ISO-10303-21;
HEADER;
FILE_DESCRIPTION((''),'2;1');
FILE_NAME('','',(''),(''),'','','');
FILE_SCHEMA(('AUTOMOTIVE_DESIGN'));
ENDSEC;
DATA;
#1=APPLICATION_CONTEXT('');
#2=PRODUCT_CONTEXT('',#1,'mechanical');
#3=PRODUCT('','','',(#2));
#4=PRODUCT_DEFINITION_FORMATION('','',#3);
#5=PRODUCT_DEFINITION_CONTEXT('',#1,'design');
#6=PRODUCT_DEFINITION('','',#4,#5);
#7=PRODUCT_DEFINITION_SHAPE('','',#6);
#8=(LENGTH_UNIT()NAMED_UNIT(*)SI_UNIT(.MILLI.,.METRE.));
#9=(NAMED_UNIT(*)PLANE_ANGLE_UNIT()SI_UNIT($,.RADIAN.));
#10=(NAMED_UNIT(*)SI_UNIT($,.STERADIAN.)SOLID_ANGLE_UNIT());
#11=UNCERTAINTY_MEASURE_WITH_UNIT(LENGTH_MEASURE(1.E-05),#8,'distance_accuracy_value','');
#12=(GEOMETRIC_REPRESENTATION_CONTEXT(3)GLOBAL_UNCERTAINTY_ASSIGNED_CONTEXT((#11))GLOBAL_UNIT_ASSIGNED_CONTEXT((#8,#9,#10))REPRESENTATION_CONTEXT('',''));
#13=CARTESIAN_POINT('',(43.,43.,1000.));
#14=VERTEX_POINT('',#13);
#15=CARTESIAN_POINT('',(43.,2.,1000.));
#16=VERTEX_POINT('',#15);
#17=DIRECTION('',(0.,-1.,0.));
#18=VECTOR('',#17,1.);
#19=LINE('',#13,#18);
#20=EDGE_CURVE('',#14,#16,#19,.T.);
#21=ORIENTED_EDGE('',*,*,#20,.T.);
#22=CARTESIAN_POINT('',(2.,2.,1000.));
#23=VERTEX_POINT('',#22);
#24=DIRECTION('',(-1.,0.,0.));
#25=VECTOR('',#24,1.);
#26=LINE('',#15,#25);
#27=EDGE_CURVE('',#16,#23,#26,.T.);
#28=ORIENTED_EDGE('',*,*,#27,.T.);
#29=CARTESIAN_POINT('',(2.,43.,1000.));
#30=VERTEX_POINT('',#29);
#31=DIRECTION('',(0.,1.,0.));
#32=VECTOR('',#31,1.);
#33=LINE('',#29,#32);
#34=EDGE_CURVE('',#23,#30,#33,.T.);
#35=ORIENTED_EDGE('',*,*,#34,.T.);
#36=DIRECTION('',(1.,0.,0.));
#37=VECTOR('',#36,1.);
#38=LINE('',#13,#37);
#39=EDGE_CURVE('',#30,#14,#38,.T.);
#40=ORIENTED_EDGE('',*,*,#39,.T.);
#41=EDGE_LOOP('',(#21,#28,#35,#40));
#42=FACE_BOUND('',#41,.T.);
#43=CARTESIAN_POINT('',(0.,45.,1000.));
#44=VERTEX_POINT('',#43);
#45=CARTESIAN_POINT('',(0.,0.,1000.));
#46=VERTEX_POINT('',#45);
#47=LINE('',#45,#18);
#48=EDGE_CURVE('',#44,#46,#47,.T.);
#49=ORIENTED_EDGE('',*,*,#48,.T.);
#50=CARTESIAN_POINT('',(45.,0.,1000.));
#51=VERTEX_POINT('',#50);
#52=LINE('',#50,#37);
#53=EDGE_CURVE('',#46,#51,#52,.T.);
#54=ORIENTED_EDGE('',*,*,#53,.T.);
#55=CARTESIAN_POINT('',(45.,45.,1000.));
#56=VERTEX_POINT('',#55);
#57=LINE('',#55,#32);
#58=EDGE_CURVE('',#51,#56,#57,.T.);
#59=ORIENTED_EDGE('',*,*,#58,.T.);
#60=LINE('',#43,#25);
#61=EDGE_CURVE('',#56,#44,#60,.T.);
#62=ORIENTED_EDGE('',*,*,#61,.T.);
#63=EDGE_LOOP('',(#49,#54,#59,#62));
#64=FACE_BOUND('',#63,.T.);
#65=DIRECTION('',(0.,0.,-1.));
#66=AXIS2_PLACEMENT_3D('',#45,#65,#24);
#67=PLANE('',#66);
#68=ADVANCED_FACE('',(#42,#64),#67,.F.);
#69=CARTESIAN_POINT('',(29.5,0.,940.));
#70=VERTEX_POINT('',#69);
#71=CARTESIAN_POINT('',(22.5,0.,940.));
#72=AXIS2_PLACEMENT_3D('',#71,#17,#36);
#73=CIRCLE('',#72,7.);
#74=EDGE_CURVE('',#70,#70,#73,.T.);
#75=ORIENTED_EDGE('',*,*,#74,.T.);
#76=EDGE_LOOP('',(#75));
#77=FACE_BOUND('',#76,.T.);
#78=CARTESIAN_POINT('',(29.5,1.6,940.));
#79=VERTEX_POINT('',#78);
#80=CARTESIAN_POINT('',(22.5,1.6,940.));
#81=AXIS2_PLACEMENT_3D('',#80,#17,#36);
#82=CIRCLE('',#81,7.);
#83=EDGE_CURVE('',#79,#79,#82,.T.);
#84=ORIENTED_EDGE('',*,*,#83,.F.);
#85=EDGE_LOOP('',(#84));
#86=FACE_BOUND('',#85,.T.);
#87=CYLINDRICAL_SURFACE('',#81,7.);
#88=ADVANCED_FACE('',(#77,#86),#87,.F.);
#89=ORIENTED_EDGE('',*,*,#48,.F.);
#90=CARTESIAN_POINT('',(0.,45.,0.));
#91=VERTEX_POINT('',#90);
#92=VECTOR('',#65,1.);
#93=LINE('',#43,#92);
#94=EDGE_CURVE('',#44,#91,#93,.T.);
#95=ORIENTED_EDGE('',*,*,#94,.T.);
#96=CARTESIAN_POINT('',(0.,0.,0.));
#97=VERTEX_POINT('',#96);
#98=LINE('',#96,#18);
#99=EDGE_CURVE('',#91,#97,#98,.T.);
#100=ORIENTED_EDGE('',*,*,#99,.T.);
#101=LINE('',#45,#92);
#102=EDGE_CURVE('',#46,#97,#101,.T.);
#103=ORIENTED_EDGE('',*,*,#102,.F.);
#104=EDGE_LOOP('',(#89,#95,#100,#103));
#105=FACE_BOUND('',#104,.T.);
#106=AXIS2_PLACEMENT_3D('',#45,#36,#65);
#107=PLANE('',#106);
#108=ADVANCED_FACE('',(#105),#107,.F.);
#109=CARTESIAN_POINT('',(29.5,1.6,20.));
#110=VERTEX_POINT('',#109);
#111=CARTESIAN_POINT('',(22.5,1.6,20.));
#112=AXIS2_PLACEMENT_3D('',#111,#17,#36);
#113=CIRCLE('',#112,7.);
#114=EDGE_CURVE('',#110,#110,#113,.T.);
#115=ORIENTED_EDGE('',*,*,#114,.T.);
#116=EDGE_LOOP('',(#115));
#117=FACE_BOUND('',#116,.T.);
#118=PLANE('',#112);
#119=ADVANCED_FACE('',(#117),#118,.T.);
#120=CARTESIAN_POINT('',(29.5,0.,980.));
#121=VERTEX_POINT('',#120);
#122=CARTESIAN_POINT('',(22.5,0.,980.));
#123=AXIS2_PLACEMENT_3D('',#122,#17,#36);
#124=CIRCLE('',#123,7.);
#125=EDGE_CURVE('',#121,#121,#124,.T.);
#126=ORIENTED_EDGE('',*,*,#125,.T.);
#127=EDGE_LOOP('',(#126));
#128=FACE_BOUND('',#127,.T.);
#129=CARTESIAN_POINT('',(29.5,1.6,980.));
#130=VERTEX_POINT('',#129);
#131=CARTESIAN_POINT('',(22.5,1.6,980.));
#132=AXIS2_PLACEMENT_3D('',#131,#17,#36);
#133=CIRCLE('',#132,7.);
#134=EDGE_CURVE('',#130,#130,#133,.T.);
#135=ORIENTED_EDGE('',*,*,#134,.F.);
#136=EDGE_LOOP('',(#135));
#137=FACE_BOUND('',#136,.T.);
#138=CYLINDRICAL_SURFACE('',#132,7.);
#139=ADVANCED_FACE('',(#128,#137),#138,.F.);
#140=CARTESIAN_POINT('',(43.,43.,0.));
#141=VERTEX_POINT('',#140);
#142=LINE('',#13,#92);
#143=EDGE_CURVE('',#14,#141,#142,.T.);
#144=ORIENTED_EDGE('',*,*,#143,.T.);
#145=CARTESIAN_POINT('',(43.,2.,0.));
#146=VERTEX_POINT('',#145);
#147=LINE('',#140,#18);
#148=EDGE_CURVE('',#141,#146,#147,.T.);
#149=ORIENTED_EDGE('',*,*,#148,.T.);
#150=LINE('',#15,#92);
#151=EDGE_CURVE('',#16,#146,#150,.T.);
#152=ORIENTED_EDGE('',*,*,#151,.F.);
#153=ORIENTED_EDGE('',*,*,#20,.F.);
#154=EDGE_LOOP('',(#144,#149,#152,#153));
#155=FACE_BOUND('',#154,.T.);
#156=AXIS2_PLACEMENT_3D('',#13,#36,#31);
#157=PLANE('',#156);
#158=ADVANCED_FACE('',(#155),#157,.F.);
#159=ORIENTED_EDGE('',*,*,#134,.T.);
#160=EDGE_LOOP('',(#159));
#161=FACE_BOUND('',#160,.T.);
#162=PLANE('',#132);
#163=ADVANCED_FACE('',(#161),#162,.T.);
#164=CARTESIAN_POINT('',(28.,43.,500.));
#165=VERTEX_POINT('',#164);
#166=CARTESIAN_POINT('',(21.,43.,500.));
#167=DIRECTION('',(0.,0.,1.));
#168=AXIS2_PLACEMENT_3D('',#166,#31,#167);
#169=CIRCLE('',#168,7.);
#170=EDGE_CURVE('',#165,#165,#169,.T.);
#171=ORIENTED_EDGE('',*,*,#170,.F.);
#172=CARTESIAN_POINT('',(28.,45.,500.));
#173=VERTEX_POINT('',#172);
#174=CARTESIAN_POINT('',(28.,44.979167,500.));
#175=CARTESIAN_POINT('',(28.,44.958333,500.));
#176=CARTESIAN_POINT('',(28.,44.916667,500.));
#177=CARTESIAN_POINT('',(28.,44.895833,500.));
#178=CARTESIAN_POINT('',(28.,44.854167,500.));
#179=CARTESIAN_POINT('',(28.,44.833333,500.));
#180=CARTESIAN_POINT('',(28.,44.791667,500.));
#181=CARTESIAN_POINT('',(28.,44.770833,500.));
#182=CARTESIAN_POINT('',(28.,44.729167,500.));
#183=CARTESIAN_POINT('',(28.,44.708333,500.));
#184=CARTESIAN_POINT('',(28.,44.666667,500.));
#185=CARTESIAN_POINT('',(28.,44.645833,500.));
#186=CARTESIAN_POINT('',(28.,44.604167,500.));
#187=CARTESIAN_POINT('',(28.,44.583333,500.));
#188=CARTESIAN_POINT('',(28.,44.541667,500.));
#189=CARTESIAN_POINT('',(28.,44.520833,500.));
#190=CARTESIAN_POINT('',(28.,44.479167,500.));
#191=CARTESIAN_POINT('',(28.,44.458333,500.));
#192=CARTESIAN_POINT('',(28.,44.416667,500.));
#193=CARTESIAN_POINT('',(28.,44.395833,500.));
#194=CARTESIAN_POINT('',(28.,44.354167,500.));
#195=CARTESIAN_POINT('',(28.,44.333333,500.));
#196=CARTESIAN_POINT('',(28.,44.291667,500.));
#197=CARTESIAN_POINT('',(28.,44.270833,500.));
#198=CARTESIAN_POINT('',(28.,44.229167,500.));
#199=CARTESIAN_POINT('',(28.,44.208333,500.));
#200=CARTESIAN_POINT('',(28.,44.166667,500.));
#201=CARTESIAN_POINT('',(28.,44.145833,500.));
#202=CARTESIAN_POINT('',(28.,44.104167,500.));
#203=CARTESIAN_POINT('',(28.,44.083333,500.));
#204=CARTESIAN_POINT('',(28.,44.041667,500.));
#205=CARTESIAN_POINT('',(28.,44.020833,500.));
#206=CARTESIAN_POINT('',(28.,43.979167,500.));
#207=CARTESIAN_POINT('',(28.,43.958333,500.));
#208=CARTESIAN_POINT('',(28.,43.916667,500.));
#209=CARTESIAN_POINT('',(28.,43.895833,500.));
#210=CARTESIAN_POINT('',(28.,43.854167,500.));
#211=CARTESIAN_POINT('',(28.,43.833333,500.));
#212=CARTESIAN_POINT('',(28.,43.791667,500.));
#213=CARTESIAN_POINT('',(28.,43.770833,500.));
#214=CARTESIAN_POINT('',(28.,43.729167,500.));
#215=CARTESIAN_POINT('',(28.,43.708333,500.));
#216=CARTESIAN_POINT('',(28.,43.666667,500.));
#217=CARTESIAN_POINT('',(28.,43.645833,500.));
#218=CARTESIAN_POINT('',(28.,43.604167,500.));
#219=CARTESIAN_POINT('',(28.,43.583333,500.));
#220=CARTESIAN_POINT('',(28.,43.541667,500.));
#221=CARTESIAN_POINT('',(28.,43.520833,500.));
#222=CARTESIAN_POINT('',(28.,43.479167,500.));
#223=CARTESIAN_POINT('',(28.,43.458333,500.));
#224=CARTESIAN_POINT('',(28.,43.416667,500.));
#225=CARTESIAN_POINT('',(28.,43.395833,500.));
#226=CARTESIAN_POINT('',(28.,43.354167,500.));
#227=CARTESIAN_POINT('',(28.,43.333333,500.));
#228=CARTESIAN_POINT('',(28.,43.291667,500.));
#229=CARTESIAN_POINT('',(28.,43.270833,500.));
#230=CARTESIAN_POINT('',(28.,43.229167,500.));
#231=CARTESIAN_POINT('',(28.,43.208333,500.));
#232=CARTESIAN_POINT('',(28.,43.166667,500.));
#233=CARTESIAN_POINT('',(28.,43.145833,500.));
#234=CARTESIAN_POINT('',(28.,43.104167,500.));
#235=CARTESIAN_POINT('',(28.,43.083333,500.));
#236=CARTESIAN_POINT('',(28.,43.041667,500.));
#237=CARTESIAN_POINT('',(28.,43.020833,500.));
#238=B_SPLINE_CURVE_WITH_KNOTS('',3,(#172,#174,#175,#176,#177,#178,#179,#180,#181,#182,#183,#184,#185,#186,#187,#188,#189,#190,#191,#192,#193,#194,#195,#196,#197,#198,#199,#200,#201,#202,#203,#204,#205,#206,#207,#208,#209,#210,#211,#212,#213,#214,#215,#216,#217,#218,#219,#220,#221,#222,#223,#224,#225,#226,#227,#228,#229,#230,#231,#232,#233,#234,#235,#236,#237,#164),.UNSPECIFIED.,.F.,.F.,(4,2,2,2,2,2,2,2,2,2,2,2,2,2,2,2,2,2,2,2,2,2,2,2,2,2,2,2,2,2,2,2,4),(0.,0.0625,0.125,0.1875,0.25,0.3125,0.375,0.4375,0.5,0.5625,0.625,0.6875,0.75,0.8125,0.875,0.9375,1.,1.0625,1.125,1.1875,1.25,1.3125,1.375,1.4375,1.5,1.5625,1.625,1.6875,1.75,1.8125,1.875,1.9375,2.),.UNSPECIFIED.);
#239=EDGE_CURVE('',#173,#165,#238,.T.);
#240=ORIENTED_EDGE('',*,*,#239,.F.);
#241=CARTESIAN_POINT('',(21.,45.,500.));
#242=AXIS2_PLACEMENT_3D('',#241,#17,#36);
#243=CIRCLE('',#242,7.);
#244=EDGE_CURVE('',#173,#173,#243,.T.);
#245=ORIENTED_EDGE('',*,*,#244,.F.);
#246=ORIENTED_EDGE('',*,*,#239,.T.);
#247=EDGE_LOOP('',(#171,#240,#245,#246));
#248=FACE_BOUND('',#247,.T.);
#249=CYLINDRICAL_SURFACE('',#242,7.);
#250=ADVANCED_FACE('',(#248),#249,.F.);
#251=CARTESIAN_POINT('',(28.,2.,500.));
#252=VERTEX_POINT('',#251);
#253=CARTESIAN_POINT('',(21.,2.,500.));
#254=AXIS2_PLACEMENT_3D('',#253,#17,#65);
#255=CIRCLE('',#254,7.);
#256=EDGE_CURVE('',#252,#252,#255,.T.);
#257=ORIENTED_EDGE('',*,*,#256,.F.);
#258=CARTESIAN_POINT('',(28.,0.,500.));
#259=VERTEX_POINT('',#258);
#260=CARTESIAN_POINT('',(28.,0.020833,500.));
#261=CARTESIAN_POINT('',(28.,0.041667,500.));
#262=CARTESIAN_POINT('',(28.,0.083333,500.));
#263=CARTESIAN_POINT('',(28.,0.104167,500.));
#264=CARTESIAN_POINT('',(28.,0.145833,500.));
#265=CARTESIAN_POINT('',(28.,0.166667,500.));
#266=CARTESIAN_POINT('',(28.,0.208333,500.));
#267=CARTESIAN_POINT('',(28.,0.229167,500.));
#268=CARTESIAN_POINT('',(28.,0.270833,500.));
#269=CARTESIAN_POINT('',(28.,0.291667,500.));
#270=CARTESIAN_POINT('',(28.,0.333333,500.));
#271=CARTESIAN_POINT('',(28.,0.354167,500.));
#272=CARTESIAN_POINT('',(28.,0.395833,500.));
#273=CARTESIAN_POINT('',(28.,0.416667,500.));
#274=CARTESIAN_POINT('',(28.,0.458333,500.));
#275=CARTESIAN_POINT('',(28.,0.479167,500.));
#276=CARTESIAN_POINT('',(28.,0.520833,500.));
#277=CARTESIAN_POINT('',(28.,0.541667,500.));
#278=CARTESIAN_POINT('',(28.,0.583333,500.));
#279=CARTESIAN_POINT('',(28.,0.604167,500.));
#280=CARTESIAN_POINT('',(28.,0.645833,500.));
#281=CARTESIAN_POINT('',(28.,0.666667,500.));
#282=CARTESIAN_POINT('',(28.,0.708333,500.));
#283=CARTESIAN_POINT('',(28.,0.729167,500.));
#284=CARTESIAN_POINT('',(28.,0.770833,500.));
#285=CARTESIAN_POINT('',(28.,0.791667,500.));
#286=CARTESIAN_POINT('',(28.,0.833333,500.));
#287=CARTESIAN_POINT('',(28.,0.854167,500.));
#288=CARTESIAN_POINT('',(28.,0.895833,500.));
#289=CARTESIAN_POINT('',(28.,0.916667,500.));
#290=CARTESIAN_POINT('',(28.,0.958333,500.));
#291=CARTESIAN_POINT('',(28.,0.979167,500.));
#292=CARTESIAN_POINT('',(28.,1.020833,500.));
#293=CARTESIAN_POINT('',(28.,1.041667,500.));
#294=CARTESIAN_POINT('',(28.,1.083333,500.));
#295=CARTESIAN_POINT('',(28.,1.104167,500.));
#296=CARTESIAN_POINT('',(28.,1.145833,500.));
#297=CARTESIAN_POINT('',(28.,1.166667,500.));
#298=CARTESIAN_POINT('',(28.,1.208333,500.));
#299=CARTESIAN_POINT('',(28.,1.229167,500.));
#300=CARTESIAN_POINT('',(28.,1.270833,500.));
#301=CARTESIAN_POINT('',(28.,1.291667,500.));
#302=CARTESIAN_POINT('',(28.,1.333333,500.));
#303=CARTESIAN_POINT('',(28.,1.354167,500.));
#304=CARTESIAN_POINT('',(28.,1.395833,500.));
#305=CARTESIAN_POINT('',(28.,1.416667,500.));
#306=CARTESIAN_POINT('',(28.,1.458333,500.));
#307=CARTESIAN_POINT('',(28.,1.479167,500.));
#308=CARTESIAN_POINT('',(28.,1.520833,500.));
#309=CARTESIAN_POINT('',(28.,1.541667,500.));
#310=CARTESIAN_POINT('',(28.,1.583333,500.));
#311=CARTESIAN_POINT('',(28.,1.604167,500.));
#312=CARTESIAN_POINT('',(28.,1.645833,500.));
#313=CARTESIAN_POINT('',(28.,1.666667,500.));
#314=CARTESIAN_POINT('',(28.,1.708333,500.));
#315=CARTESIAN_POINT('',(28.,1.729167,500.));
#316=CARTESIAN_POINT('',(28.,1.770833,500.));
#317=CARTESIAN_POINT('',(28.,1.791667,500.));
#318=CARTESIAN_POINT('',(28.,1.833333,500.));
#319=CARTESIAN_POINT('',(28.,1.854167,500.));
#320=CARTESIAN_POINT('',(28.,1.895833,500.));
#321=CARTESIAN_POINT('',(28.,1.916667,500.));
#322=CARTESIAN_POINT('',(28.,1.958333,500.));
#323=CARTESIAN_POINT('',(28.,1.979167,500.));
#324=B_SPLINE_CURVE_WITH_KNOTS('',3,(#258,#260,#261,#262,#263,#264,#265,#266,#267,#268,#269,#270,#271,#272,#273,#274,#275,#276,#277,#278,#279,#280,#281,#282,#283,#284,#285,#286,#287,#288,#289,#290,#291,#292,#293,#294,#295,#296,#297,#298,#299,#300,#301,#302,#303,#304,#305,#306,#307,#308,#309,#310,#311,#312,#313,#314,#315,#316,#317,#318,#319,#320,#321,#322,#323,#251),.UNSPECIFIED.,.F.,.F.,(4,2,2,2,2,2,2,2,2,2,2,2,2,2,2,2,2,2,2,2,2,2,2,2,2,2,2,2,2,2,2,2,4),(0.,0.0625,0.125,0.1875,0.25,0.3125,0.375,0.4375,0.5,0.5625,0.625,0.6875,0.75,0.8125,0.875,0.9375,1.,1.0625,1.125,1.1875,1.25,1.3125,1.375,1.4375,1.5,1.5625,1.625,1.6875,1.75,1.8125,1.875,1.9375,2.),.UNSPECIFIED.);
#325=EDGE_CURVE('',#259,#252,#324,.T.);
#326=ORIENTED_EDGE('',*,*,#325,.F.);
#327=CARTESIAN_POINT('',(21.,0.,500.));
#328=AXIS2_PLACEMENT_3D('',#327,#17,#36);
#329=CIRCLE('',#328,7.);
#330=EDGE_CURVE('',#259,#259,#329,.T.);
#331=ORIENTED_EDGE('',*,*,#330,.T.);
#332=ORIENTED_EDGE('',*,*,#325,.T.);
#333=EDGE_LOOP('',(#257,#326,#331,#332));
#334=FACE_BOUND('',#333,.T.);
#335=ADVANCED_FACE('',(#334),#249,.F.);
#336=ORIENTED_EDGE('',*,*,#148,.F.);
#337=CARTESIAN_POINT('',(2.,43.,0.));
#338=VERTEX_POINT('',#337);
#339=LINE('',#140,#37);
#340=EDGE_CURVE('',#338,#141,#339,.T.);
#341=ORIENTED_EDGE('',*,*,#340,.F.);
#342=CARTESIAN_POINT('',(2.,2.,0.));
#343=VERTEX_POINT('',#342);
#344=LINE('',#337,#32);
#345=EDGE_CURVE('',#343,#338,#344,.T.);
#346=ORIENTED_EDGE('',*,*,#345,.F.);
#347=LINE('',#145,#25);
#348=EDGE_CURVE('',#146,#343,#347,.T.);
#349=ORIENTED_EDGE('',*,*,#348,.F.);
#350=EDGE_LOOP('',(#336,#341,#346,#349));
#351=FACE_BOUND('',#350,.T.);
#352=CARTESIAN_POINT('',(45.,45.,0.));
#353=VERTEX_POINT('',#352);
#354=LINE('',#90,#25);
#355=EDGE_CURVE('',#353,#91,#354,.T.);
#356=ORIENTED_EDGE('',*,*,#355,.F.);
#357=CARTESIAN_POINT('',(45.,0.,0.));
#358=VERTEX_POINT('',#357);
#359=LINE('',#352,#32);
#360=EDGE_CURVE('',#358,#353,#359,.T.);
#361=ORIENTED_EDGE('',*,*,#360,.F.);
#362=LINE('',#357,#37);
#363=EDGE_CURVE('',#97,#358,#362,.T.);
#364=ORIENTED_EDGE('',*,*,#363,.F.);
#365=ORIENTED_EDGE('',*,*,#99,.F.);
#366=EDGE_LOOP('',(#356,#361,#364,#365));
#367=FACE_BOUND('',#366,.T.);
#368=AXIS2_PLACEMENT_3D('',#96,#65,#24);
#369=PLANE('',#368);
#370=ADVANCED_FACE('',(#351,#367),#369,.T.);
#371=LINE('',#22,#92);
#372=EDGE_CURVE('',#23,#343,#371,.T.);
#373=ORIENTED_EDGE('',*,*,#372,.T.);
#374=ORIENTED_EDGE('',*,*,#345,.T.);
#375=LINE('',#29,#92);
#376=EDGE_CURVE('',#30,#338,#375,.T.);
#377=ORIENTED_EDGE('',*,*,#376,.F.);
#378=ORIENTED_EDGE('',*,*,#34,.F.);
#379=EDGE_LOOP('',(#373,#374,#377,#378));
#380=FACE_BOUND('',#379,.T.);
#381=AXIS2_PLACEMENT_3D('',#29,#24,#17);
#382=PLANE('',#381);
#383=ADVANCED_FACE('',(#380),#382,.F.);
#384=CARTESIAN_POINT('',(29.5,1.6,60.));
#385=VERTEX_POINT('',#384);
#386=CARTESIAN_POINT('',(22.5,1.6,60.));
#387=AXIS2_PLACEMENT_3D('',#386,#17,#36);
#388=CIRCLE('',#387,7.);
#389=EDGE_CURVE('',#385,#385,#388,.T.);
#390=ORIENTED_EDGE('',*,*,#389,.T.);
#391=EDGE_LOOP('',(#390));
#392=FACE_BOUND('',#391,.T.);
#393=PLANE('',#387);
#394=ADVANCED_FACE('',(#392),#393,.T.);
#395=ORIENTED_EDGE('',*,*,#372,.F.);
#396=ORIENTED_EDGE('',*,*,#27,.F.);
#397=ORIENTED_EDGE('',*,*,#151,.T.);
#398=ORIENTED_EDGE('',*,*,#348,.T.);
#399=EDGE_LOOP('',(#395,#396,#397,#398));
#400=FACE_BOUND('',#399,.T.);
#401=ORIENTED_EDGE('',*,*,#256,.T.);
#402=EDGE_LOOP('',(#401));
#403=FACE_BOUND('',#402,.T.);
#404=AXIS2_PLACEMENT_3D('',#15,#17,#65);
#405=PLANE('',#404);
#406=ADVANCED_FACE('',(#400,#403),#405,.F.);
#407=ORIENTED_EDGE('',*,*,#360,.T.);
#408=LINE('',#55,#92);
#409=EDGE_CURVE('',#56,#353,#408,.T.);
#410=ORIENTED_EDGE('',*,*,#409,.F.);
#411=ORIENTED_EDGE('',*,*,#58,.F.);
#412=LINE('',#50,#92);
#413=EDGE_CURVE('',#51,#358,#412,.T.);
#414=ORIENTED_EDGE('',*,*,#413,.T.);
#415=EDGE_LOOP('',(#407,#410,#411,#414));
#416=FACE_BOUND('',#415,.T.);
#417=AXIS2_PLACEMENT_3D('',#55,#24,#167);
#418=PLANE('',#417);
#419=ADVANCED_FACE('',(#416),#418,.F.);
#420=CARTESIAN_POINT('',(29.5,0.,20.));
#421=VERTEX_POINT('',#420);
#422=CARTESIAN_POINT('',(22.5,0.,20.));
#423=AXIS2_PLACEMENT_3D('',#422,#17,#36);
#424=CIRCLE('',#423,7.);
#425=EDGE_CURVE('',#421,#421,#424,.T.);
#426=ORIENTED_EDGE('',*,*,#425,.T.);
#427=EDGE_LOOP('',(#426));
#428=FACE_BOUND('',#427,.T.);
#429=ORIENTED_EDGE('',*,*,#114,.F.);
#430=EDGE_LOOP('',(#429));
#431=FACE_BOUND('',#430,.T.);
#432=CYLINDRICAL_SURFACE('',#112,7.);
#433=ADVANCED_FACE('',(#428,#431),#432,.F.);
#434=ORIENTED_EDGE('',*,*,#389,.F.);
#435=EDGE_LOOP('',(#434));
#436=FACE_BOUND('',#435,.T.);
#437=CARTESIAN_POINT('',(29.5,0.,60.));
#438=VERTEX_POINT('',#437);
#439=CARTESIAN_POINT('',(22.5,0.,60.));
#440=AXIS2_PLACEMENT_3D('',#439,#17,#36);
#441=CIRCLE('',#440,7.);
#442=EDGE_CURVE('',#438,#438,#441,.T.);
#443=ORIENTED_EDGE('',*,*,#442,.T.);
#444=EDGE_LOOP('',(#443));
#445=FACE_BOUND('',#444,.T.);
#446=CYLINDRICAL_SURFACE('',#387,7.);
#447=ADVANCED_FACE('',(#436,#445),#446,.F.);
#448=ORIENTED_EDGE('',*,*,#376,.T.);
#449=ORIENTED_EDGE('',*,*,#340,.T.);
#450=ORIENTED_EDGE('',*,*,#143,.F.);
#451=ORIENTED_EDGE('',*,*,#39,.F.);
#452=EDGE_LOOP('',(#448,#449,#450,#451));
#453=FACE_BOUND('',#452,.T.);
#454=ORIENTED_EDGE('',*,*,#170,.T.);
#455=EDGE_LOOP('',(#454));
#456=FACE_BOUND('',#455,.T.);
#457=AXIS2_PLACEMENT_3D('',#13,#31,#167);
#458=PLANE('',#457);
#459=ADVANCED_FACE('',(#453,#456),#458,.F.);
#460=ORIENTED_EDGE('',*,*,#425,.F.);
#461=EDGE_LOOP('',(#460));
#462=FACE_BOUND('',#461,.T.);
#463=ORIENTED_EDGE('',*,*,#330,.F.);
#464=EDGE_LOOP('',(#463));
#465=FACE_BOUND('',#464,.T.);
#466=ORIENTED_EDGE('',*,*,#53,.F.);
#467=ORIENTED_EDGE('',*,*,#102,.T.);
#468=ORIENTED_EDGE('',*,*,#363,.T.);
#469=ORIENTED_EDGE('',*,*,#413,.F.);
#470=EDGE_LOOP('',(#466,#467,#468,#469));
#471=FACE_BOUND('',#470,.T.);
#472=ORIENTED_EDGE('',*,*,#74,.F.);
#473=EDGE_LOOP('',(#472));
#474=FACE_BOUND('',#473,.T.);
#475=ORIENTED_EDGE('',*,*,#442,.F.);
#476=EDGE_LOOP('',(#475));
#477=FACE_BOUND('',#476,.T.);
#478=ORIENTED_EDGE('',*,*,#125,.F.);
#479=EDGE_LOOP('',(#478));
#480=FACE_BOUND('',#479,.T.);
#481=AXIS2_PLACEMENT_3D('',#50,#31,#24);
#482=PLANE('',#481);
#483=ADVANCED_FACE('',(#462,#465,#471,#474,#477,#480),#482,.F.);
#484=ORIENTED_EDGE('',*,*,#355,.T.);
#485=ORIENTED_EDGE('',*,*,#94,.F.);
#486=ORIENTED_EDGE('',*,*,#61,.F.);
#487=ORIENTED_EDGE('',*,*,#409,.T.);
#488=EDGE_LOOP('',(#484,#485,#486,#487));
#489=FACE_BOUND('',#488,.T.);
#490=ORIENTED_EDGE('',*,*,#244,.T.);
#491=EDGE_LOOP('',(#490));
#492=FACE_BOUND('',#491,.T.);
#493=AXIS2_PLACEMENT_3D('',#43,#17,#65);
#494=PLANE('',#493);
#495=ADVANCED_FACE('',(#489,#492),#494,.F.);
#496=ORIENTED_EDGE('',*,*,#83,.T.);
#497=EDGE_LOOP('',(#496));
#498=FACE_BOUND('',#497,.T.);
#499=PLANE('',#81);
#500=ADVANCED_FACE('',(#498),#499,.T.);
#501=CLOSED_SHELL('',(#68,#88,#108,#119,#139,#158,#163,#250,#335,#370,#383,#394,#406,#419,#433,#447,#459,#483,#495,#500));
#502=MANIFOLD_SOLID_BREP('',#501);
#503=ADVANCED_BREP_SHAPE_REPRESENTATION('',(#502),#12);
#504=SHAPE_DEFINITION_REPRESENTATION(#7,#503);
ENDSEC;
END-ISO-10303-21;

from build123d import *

# Parameters (mm, degrees)
CROQUIS2_W              = 45
CROQUIS2_H              = 45
SALIENTE_EXTRUIR3_DEPTH = 1000
CROQUIS12_W             = 41
CROQUIS12_H             = 41
CORTAR_EXTRUIR8_DEPTH   = 1003.022953829
CROQUIS13_R             = 7
CORTAR_EXTRUIR9_DEPTH   = 1.6
CROQUIS15_R             = 7
CORTAR_EXTRUIR11_DEPTH  = 1003.022953829


with BuildPart() as part:
    # Croquis2 → Saliente-Extruir3 (new body)
    with BuildSketch(Plane.XY):
        with Locations((22.5, 22.5)):
            Rectangle(CROQUIS2_W, CROQUIS2_H)
    extrude(amount=SALIENTE_EXTRUIR3_DEPTH)

    # Croquis12 → Cortar-Extruir8 (cut, through all)
    with BuildSketch(Plane(origin=(0, 0, 0), x_dir=(-1, 0, 0), z_dir=(0, 0, -1))):
        with Locations((-22.5, 22.5)):
            Rectangle(CROQUIS12_W, CROQUIS12_H)
    extrude(amount=-CORTAR_EXTRUIR8_DEPTH, mode=Mode.SUBTRACT)

    # Croquis13 → Cortar-Extruir9 (cut)
    with BuildSketch(Plane.XZ):
        with Locations((22.5, 980)):
            Circle(CROQUIS13_R)
        with Locations((22.5, 940)):
            Circle(CROQUIS13_R)
        with Locations((22.5, 20)):
            Circle(CROQUIS13_R)
        with Locations((22.5, 60)):
            Circle(CROQUIS13_R)
    extrude(amount=-CORTAR_EXTRUIR9_DEPTH, mode=Mode.SUBTRACT)

    # Croquis15 → Cortar-Extruir11 (cut, through all)
    with BuildSketch(Plane.XZ):
        with Locations((21, 500)):
            Circle(CROQUIS15_R)
    extrude(amount=-CORTAR_EXTRUIR11_DEPTH, mode=Mode.SUBTRACT)


solid = part.part
